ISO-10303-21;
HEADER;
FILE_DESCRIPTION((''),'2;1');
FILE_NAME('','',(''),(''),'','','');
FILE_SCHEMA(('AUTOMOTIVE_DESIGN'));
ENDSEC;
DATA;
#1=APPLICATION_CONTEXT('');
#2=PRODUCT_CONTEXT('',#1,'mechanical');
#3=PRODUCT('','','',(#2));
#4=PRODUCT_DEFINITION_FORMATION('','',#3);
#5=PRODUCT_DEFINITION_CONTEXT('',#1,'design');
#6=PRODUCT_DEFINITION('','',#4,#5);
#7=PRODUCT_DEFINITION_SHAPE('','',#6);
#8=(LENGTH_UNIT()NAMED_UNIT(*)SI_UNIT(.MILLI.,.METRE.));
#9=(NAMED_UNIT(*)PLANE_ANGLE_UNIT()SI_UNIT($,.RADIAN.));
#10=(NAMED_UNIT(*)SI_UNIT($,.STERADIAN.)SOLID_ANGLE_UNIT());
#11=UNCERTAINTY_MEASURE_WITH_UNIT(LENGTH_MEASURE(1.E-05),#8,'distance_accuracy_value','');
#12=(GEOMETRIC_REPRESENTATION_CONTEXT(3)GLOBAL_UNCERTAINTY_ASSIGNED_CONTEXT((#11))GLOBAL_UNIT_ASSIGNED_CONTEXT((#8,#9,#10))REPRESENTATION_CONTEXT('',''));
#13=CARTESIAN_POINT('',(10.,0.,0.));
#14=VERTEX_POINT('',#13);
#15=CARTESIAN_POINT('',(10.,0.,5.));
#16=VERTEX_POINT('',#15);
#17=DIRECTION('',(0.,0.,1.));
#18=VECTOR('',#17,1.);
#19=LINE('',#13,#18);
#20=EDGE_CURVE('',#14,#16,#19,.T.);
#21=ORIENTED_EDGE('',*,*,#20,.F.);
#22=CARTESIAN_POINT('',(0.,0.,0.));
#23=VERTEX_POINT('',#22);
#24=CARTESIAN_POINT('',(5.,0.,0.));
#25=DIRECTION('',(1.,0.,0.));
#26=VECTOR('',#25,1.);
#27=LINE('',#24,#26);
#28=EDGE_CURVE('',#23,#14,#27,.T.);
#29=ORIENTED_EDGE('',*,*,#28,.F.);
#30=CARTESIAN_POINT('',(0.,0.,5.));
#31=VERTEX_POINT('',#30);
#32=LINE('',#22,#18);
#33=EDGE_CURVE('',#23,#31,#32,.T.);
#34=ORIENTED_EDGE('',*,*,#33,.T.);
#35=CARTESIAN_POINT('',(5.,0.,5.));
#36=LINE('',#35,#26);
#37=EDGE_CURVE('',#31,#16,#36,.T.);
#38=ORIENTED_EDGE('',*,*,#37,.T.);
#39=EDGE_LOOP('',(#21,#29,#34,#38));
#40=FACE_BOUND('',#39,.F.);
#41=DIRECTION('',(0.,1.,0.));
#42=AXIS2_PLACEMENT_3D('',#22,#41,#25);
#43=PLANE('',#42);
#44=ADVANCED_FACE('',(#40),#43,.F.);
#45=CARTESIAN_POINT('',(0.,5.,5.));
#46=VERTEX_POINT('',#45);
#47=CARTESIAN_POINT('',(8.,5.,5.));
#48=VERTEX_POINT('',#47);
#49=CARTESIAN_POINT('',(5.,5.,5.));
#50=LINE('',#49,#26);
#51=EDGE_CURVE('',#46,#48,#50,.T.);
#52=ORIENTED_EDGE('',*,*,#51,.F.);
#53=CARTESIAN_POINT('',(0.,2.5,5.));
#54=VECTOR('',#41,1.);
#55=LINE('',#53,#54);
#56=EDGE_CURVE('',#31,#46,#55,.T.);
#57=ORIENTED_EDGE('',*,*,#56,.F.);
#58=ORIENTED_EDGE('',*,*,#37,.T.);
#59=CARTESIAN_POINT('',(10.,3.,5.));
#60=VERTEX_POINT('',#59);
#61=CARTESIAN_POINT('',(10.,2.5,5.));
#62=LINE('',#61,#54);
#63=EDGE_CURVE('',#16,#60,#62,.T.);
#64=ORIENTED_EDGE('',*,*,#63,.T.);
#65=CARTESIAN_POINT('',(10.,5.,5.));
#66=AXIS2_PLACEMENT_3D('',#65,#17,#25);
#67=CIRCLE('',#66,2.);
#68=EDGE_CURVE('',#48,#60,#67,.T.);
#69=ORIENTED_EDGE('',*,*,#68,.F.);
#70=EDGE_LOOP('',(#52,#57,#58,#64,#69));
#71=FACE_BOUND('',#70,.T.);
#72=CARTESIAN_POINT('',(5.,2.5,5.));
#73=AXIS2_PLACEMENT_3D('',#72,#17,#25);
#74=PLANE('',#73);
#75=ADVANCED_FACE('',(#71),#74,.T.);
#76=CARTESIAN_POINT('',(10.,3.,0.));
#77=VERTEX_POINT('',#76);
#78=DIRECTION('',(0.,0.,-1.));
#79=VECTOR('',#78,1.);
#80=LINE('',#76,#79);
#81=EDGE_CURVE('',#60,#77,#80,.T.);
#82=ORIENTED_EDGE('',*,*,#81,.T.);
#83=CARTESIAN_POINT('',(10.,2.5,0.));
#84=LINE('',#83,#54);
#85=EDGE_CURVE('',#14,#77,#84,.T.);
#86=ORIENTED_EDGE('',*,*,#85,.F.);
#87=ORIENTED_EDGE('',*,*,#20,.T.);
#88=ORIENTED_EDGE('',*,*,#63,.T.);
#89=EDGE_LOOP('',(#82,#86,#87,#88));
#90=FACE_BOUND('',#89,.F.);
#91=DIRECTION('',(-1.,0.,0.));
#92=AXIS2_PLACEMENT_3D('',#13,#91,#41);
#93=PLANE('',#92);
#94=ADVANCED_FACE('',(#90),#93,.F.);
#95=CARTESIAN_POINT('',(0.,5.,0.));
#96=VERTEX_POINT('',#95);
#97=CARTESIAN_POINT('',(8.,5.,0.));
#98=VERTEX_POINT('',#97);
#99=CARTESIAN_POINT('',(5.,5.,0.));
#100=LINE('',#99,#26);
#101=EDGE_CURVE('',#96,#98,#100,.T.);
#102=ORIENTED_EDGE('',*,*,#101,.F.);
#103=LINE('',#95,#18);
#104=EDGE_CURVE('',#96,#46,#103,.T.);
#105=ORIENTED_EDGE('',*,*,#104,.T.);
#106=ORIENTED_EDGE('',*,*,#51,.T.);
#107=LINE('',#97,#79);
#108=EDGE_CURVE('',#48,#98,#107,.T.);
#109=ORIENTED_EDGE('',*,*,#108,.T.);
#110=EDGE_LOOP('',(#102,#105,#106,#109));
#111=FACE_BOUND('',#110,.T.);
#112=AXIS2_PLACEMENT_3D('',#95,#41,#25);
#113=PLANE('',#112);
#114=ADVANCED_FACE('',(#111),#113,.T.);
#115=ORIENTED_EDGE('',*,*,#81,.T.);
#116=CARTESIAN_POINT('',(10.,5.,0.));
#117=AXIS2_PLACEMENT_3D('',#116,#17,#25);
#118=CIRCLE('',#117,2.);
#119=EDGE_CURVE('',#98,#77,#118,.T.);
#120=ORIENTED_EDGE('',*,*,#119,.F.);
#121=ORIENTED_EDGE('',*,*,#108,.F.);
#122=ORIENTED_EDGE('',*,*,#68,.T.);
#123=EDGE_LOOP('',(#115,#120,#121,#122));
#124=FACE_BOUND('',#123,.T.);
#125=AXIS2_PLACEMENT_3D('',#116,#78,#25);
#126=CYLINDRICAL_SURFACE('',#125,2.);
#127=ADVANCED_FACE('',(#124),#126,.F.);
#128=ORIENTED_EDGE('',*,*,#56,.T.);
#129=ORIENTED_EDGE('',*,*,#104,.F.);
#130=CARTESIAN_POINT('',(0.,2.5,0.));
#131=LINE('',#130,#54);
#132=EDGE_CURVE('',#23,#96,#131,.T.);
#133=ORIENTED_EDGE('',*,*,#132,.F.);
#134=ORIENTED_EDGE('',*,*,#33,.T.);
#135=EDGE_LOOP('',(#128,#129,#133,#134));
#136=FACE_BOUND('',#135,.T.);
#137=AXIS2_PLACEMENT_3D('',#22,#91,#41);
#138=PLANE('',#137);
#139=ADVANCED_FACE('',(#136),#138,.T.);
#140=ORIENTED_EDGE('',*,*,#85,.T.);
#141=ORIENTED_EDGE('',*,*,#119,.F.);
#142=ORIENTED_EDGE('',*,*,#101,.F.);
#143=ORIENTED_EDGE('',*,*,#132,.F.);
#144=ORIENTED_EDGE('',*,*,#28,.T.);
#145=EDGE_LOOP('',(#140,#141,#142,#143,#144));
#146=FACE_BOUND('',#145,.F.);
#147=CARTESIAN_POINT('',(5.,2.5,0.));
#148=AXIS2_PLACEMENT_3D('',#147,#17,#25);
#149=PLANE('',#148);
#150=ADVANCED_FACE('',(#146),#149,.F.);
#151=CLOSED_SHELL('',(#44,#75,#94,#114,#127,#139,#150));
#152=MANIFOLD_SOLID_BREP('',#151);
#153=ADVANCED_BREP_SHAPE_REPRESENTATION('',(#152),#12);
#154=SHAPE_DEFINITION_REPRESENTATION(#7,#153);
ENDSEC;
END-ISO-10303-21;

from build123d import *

# Parameters (mm, degrees)
CYLINDER_R     = 2
CYLINDER_DEPTH = 5
BOX_W          = 10
BOX_H          = 5
BOX_DEPTH      = 5


with BuildPart() as cylinder:
    # Cylinder → Cylinder (new body)
    with BuildSketch(Plane(origin=(10, 5, 0), x_dir=(1, 0, 0), z_dir=(0, 0, 1))):
        Circle(CYLINDER_R)
    extrude(amount=CYLINDER_DEPTH)


with BuildPart() as cut:
    # Box → Box (new body)
    with BuildSketch(Plane.XY):
        with Locations((5, 2.5)):
            Rectangle(BOX_W, BOX_H)
    extrude(amount=BOX_DEPTH)

    # Cut: cut Cylinder
    add(cylinder.part, mode=Mode.SUBTRACT)


solid = cut.part
